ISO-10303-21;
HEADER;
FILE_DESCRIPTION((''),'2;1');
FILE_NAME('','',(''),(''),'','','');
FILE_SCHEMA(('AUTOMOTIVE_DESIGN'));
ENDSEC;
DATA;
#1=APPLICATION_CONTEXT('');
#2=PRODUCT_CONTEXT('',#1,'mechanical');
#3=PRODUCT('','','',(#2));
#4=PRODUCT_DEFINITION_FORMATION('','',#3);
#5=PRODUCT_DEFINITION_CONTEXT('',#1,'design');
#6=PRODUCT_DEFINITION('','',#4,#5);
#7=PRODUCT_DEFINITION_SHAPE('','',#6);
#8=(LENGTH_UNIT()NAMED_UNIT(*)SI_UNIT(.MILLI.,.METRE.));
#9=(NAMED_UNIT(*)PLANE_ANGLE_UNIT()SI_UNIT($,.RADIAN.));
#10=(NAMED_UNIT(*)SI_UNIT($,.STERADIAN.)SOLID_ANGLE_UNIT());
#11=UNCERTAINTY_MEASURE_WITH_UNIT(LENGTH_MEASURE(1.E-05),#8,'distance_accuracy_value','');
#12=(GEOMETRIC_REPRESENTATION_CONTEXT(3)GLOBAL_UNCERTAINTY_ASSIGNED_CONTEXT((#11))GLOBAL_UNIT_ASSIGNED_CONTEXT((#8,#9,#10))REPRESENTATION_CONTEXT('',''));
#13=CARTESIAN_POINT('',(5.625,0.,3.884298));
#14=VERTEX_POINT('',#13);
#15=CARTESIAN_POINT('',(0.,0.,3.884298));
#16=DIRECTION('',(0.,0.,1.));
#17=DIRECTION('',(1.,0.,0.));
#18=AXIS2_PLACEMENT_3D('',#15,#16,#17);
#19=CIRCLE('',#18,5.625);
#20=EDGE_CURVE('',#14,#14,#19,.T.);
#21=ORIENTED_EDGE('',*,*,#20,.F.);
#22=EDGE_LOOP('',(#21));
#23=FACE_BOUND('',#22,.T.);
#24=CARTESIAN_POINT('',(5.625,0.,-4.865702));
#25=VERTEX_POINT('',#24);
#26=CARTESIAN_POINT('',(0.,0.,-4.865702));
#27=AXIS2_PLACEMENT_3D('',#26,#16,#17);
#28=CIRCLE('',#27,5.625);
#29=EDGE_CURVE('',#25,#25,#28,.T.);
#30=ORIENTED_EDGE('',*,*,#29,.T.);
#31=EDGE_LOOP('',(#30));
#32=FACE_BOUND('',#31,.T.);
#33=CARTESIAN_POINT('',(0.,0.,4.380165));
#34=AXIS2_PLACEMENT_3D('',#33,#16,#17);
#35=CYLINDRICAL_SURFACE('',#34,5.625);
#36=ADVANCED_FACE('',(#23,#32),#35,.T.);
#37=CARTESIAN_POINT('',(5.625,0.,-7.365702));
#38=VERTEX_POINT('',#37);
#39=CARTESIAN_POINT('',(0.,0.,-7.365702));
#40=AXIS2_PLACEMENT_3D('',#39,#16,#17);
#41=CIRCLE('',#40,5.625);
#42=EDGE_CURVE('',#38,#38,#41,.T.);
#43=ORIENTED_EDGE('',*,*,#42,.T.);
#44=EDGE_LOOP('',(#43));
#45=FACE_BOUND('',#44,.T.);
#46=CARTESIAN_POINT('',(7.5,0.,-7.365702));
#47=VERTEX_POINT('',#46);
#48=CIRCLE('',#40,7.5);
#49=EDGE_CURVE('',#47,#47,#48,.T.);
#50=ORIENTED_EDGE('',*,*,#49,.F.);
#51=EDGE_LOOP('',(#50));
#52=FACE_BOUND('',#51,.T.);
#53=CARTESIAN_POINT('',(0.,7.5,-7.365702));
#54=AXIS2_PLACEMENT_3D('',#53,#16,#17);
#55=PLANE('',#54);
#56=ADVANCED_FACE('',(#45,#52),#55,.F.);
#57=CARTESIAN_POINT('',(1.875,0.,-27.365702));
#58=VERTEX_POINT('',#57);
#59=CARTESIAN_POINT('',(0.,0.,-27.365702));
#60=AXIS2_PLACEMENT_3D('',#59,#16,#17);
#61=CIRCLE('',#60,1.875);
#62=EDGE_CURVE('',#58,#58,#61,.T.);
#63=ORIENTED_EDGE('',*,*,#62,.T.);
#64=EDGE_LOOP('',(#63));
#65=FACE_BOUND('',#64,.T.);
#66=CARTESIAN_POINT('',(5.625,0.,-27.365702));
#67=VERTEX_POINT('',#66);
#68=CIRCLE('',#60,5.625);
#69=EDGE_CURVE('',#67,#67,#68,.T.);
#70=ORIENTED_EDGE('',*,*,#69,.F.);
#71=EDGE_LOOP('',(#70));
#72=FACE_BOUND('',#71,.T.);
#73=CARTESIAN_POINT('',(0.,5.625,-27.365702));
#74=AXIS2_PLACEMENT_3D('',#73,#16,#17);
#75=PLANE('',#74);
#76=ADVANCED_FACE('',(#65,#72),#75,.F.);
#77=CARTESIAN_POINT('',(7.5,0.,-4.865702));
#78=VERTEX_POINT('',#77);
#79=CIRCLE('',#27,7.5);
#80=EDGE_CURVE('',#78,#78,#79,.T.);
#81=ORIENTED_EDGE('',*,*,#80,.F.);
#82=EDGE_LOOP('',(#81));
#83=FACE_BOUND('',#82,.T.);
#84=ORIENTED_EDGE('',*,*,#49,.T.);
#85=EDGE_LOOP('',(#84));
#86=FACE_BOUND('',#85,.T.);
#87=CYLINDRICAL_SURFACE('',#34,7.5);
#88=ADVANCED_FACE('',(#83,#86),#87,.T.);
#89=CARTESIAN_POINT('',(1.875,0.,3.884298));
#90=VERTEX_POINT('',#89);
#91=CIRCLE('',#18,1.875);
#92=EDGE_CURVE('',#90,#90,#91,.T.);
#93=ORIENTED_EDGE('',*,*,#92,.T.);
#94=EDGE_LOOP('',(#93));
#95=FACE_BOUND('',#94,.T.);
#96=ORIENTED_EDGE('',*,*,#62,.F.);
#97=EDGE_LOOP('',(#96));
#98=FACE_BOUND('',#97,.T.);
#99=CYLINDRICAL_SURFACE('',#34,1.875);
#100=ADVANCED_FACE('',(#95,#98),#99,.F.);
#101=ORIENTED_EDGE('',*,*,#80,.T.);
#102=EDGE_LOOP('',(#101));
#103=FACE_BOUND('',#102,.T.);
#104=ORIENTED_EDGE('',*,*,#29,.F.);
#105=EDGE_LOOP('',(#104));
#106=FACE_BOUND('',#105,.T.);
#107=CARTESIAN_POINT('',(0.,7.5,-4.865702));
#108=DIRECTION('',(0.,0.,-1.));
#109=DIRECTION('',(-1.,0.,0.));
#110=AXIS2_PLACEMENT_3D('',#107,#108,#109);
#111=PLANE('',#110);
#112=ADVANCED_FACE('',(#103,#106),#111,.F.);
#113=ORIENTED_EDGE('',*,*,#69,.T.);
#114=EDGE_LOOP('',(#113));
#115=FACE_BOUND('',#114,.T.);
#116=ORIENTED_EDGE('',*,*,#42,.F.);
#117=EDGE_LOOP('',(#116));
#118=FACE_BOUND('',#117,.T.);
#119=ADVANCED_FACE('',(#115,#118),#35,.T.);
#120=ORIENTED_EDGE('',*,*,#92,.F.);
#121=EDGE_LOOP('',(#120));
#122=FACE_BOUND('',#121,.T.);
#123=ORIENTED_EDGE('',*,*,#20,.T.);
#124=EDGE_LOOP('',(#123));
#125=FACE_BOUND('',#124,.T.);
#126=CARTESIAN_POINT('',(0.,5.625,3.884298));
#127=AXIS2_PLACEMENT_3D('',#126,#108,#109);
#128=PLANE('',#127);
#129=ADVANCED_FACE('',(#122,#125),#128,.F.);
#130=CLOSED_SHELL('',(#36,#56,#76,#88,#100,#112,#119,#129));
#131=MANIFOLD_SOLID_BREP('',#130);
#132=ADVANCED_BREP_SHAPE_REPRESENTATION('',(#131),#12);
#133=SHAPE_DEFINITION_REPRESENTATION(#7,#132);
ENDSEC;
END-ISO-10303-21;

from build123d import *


with BuildPart() as part:
    # Çizim1 → Döndür1 (revolve)
    with BuildSketch(Plane(origin=(0, 0, 0), x_dir=(0, 0, -1), z_dir=(1, 0, 0)), mode=Mode.PRIVATE) as d_nd_r1_sk:
        Polygon((7.365702479, 5.625), (27.365702479, 5.625), (27.365702479, 1.875), (-3.884297521, 1.875), (-3.884297521, 5.625), (4.865702479, 5.625), (4.865702479, 7.5), (7.365702479, 7.5), align=None)
    revolve(d_nd_r1_sk.sketch.rotate(Axis((0, 0, 4.380165289), (0, 0, -1)), 90), axis=Axis((0, 0, 4.380165289), (0, 0, -1)))


solid = part.part
